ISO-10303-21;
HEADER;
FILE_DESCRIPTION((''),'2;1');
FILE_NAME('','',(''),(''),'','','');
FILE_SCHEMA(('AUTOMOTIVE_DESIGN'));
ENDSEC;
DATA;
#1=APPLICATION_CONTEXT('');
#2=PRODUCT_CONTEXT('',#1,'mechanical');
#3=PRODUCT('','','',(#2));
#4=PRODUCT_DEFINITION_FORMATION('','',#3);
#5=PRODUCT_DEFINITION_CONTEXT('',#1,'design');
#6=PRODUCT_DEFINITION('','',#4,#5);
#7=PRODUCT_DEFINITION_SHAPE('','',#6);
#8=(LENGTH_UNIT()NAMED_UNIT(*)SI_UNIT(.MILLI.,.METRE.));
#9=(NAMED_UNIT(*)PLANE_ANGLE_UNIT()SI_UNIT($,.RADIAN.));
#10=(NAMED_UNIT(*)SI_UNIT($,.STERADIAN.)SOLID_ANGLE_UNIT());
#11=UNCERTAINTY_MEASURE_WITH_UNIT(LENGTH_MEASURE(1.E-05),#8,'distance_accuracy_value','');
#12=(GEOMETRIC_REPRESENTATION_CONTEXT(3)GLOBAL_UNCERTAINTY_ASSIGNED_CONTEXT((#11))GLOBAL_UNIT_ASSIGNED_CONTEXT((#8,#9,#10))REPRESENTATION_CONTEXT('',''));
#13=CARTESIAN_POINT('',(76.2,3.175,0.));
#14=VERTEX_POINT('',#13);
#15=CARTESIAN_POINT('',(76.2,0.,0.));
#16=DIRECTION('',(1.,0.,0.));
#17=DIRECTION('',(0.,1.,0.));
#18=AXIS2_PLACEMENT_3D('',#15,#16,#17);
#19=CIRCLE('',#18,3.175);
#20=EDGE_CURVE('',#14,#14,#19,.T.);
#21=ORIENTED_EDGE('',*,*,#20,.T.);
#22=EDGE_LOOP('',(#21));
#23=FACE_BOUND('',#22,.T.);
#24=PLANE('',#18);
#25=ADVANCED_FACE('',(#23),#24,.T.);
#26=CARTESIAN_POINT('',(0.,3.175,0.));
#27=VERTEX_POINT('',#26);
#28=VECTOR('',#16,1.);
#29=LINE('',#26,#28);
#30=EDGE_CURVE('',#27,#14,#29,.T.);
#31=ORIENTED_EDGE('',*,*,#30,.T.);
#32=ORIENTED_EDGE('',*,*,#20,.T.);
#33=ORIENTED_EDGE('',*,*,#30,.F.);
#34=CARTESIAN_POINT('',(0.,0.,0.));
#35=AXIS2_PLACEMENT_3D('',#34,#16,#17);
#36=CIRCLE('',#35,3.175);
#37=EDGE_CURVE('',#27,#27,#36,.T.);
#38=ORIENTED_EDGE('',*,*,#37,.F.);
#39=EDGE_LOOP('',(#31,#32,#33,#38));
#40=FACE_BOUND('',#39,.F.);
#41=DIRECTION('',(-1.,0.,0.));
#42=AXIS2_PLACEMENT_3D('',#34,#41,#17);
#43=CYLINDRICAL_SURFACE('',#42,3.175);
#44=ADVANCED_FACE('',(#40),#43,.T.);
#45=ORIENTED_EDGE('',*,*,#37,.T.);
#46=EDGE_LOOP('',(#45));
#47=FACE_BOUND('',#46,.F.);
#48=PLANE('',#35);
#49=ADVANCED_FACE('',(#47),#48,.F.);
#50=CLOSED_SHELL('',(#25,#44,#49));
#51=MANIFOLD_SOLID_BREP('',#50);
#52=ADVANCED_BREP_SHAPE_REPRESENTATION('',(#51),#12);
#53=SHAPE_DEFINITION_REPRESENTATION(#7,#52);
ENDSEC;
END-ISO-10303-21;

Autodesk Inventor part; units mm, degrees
ref_plane "YZ Plane" through (0, 0, 0) normal (1, 0, 0) x (0, 1, 0)
ref_plane "XZ Plane" through (0, 0, 0) normal (0, 1, 0) x (-1, 0, 0)
ref_plane "XY Plane" through (0, 0, 0) normal (0, 0, 1) x (1, 0, 0)
sketch "Sketch1" plane through (0, 0, 0) normal (1, 0, 0) x (0, 1, 0)
  circle A0 centre (0, 0) radius 3.175
  dimension "d0" = 6.35
extrude "Extrusion1" add sketch "Sketch1" along normal blind 76.2
properties part number "stopper shaft"
